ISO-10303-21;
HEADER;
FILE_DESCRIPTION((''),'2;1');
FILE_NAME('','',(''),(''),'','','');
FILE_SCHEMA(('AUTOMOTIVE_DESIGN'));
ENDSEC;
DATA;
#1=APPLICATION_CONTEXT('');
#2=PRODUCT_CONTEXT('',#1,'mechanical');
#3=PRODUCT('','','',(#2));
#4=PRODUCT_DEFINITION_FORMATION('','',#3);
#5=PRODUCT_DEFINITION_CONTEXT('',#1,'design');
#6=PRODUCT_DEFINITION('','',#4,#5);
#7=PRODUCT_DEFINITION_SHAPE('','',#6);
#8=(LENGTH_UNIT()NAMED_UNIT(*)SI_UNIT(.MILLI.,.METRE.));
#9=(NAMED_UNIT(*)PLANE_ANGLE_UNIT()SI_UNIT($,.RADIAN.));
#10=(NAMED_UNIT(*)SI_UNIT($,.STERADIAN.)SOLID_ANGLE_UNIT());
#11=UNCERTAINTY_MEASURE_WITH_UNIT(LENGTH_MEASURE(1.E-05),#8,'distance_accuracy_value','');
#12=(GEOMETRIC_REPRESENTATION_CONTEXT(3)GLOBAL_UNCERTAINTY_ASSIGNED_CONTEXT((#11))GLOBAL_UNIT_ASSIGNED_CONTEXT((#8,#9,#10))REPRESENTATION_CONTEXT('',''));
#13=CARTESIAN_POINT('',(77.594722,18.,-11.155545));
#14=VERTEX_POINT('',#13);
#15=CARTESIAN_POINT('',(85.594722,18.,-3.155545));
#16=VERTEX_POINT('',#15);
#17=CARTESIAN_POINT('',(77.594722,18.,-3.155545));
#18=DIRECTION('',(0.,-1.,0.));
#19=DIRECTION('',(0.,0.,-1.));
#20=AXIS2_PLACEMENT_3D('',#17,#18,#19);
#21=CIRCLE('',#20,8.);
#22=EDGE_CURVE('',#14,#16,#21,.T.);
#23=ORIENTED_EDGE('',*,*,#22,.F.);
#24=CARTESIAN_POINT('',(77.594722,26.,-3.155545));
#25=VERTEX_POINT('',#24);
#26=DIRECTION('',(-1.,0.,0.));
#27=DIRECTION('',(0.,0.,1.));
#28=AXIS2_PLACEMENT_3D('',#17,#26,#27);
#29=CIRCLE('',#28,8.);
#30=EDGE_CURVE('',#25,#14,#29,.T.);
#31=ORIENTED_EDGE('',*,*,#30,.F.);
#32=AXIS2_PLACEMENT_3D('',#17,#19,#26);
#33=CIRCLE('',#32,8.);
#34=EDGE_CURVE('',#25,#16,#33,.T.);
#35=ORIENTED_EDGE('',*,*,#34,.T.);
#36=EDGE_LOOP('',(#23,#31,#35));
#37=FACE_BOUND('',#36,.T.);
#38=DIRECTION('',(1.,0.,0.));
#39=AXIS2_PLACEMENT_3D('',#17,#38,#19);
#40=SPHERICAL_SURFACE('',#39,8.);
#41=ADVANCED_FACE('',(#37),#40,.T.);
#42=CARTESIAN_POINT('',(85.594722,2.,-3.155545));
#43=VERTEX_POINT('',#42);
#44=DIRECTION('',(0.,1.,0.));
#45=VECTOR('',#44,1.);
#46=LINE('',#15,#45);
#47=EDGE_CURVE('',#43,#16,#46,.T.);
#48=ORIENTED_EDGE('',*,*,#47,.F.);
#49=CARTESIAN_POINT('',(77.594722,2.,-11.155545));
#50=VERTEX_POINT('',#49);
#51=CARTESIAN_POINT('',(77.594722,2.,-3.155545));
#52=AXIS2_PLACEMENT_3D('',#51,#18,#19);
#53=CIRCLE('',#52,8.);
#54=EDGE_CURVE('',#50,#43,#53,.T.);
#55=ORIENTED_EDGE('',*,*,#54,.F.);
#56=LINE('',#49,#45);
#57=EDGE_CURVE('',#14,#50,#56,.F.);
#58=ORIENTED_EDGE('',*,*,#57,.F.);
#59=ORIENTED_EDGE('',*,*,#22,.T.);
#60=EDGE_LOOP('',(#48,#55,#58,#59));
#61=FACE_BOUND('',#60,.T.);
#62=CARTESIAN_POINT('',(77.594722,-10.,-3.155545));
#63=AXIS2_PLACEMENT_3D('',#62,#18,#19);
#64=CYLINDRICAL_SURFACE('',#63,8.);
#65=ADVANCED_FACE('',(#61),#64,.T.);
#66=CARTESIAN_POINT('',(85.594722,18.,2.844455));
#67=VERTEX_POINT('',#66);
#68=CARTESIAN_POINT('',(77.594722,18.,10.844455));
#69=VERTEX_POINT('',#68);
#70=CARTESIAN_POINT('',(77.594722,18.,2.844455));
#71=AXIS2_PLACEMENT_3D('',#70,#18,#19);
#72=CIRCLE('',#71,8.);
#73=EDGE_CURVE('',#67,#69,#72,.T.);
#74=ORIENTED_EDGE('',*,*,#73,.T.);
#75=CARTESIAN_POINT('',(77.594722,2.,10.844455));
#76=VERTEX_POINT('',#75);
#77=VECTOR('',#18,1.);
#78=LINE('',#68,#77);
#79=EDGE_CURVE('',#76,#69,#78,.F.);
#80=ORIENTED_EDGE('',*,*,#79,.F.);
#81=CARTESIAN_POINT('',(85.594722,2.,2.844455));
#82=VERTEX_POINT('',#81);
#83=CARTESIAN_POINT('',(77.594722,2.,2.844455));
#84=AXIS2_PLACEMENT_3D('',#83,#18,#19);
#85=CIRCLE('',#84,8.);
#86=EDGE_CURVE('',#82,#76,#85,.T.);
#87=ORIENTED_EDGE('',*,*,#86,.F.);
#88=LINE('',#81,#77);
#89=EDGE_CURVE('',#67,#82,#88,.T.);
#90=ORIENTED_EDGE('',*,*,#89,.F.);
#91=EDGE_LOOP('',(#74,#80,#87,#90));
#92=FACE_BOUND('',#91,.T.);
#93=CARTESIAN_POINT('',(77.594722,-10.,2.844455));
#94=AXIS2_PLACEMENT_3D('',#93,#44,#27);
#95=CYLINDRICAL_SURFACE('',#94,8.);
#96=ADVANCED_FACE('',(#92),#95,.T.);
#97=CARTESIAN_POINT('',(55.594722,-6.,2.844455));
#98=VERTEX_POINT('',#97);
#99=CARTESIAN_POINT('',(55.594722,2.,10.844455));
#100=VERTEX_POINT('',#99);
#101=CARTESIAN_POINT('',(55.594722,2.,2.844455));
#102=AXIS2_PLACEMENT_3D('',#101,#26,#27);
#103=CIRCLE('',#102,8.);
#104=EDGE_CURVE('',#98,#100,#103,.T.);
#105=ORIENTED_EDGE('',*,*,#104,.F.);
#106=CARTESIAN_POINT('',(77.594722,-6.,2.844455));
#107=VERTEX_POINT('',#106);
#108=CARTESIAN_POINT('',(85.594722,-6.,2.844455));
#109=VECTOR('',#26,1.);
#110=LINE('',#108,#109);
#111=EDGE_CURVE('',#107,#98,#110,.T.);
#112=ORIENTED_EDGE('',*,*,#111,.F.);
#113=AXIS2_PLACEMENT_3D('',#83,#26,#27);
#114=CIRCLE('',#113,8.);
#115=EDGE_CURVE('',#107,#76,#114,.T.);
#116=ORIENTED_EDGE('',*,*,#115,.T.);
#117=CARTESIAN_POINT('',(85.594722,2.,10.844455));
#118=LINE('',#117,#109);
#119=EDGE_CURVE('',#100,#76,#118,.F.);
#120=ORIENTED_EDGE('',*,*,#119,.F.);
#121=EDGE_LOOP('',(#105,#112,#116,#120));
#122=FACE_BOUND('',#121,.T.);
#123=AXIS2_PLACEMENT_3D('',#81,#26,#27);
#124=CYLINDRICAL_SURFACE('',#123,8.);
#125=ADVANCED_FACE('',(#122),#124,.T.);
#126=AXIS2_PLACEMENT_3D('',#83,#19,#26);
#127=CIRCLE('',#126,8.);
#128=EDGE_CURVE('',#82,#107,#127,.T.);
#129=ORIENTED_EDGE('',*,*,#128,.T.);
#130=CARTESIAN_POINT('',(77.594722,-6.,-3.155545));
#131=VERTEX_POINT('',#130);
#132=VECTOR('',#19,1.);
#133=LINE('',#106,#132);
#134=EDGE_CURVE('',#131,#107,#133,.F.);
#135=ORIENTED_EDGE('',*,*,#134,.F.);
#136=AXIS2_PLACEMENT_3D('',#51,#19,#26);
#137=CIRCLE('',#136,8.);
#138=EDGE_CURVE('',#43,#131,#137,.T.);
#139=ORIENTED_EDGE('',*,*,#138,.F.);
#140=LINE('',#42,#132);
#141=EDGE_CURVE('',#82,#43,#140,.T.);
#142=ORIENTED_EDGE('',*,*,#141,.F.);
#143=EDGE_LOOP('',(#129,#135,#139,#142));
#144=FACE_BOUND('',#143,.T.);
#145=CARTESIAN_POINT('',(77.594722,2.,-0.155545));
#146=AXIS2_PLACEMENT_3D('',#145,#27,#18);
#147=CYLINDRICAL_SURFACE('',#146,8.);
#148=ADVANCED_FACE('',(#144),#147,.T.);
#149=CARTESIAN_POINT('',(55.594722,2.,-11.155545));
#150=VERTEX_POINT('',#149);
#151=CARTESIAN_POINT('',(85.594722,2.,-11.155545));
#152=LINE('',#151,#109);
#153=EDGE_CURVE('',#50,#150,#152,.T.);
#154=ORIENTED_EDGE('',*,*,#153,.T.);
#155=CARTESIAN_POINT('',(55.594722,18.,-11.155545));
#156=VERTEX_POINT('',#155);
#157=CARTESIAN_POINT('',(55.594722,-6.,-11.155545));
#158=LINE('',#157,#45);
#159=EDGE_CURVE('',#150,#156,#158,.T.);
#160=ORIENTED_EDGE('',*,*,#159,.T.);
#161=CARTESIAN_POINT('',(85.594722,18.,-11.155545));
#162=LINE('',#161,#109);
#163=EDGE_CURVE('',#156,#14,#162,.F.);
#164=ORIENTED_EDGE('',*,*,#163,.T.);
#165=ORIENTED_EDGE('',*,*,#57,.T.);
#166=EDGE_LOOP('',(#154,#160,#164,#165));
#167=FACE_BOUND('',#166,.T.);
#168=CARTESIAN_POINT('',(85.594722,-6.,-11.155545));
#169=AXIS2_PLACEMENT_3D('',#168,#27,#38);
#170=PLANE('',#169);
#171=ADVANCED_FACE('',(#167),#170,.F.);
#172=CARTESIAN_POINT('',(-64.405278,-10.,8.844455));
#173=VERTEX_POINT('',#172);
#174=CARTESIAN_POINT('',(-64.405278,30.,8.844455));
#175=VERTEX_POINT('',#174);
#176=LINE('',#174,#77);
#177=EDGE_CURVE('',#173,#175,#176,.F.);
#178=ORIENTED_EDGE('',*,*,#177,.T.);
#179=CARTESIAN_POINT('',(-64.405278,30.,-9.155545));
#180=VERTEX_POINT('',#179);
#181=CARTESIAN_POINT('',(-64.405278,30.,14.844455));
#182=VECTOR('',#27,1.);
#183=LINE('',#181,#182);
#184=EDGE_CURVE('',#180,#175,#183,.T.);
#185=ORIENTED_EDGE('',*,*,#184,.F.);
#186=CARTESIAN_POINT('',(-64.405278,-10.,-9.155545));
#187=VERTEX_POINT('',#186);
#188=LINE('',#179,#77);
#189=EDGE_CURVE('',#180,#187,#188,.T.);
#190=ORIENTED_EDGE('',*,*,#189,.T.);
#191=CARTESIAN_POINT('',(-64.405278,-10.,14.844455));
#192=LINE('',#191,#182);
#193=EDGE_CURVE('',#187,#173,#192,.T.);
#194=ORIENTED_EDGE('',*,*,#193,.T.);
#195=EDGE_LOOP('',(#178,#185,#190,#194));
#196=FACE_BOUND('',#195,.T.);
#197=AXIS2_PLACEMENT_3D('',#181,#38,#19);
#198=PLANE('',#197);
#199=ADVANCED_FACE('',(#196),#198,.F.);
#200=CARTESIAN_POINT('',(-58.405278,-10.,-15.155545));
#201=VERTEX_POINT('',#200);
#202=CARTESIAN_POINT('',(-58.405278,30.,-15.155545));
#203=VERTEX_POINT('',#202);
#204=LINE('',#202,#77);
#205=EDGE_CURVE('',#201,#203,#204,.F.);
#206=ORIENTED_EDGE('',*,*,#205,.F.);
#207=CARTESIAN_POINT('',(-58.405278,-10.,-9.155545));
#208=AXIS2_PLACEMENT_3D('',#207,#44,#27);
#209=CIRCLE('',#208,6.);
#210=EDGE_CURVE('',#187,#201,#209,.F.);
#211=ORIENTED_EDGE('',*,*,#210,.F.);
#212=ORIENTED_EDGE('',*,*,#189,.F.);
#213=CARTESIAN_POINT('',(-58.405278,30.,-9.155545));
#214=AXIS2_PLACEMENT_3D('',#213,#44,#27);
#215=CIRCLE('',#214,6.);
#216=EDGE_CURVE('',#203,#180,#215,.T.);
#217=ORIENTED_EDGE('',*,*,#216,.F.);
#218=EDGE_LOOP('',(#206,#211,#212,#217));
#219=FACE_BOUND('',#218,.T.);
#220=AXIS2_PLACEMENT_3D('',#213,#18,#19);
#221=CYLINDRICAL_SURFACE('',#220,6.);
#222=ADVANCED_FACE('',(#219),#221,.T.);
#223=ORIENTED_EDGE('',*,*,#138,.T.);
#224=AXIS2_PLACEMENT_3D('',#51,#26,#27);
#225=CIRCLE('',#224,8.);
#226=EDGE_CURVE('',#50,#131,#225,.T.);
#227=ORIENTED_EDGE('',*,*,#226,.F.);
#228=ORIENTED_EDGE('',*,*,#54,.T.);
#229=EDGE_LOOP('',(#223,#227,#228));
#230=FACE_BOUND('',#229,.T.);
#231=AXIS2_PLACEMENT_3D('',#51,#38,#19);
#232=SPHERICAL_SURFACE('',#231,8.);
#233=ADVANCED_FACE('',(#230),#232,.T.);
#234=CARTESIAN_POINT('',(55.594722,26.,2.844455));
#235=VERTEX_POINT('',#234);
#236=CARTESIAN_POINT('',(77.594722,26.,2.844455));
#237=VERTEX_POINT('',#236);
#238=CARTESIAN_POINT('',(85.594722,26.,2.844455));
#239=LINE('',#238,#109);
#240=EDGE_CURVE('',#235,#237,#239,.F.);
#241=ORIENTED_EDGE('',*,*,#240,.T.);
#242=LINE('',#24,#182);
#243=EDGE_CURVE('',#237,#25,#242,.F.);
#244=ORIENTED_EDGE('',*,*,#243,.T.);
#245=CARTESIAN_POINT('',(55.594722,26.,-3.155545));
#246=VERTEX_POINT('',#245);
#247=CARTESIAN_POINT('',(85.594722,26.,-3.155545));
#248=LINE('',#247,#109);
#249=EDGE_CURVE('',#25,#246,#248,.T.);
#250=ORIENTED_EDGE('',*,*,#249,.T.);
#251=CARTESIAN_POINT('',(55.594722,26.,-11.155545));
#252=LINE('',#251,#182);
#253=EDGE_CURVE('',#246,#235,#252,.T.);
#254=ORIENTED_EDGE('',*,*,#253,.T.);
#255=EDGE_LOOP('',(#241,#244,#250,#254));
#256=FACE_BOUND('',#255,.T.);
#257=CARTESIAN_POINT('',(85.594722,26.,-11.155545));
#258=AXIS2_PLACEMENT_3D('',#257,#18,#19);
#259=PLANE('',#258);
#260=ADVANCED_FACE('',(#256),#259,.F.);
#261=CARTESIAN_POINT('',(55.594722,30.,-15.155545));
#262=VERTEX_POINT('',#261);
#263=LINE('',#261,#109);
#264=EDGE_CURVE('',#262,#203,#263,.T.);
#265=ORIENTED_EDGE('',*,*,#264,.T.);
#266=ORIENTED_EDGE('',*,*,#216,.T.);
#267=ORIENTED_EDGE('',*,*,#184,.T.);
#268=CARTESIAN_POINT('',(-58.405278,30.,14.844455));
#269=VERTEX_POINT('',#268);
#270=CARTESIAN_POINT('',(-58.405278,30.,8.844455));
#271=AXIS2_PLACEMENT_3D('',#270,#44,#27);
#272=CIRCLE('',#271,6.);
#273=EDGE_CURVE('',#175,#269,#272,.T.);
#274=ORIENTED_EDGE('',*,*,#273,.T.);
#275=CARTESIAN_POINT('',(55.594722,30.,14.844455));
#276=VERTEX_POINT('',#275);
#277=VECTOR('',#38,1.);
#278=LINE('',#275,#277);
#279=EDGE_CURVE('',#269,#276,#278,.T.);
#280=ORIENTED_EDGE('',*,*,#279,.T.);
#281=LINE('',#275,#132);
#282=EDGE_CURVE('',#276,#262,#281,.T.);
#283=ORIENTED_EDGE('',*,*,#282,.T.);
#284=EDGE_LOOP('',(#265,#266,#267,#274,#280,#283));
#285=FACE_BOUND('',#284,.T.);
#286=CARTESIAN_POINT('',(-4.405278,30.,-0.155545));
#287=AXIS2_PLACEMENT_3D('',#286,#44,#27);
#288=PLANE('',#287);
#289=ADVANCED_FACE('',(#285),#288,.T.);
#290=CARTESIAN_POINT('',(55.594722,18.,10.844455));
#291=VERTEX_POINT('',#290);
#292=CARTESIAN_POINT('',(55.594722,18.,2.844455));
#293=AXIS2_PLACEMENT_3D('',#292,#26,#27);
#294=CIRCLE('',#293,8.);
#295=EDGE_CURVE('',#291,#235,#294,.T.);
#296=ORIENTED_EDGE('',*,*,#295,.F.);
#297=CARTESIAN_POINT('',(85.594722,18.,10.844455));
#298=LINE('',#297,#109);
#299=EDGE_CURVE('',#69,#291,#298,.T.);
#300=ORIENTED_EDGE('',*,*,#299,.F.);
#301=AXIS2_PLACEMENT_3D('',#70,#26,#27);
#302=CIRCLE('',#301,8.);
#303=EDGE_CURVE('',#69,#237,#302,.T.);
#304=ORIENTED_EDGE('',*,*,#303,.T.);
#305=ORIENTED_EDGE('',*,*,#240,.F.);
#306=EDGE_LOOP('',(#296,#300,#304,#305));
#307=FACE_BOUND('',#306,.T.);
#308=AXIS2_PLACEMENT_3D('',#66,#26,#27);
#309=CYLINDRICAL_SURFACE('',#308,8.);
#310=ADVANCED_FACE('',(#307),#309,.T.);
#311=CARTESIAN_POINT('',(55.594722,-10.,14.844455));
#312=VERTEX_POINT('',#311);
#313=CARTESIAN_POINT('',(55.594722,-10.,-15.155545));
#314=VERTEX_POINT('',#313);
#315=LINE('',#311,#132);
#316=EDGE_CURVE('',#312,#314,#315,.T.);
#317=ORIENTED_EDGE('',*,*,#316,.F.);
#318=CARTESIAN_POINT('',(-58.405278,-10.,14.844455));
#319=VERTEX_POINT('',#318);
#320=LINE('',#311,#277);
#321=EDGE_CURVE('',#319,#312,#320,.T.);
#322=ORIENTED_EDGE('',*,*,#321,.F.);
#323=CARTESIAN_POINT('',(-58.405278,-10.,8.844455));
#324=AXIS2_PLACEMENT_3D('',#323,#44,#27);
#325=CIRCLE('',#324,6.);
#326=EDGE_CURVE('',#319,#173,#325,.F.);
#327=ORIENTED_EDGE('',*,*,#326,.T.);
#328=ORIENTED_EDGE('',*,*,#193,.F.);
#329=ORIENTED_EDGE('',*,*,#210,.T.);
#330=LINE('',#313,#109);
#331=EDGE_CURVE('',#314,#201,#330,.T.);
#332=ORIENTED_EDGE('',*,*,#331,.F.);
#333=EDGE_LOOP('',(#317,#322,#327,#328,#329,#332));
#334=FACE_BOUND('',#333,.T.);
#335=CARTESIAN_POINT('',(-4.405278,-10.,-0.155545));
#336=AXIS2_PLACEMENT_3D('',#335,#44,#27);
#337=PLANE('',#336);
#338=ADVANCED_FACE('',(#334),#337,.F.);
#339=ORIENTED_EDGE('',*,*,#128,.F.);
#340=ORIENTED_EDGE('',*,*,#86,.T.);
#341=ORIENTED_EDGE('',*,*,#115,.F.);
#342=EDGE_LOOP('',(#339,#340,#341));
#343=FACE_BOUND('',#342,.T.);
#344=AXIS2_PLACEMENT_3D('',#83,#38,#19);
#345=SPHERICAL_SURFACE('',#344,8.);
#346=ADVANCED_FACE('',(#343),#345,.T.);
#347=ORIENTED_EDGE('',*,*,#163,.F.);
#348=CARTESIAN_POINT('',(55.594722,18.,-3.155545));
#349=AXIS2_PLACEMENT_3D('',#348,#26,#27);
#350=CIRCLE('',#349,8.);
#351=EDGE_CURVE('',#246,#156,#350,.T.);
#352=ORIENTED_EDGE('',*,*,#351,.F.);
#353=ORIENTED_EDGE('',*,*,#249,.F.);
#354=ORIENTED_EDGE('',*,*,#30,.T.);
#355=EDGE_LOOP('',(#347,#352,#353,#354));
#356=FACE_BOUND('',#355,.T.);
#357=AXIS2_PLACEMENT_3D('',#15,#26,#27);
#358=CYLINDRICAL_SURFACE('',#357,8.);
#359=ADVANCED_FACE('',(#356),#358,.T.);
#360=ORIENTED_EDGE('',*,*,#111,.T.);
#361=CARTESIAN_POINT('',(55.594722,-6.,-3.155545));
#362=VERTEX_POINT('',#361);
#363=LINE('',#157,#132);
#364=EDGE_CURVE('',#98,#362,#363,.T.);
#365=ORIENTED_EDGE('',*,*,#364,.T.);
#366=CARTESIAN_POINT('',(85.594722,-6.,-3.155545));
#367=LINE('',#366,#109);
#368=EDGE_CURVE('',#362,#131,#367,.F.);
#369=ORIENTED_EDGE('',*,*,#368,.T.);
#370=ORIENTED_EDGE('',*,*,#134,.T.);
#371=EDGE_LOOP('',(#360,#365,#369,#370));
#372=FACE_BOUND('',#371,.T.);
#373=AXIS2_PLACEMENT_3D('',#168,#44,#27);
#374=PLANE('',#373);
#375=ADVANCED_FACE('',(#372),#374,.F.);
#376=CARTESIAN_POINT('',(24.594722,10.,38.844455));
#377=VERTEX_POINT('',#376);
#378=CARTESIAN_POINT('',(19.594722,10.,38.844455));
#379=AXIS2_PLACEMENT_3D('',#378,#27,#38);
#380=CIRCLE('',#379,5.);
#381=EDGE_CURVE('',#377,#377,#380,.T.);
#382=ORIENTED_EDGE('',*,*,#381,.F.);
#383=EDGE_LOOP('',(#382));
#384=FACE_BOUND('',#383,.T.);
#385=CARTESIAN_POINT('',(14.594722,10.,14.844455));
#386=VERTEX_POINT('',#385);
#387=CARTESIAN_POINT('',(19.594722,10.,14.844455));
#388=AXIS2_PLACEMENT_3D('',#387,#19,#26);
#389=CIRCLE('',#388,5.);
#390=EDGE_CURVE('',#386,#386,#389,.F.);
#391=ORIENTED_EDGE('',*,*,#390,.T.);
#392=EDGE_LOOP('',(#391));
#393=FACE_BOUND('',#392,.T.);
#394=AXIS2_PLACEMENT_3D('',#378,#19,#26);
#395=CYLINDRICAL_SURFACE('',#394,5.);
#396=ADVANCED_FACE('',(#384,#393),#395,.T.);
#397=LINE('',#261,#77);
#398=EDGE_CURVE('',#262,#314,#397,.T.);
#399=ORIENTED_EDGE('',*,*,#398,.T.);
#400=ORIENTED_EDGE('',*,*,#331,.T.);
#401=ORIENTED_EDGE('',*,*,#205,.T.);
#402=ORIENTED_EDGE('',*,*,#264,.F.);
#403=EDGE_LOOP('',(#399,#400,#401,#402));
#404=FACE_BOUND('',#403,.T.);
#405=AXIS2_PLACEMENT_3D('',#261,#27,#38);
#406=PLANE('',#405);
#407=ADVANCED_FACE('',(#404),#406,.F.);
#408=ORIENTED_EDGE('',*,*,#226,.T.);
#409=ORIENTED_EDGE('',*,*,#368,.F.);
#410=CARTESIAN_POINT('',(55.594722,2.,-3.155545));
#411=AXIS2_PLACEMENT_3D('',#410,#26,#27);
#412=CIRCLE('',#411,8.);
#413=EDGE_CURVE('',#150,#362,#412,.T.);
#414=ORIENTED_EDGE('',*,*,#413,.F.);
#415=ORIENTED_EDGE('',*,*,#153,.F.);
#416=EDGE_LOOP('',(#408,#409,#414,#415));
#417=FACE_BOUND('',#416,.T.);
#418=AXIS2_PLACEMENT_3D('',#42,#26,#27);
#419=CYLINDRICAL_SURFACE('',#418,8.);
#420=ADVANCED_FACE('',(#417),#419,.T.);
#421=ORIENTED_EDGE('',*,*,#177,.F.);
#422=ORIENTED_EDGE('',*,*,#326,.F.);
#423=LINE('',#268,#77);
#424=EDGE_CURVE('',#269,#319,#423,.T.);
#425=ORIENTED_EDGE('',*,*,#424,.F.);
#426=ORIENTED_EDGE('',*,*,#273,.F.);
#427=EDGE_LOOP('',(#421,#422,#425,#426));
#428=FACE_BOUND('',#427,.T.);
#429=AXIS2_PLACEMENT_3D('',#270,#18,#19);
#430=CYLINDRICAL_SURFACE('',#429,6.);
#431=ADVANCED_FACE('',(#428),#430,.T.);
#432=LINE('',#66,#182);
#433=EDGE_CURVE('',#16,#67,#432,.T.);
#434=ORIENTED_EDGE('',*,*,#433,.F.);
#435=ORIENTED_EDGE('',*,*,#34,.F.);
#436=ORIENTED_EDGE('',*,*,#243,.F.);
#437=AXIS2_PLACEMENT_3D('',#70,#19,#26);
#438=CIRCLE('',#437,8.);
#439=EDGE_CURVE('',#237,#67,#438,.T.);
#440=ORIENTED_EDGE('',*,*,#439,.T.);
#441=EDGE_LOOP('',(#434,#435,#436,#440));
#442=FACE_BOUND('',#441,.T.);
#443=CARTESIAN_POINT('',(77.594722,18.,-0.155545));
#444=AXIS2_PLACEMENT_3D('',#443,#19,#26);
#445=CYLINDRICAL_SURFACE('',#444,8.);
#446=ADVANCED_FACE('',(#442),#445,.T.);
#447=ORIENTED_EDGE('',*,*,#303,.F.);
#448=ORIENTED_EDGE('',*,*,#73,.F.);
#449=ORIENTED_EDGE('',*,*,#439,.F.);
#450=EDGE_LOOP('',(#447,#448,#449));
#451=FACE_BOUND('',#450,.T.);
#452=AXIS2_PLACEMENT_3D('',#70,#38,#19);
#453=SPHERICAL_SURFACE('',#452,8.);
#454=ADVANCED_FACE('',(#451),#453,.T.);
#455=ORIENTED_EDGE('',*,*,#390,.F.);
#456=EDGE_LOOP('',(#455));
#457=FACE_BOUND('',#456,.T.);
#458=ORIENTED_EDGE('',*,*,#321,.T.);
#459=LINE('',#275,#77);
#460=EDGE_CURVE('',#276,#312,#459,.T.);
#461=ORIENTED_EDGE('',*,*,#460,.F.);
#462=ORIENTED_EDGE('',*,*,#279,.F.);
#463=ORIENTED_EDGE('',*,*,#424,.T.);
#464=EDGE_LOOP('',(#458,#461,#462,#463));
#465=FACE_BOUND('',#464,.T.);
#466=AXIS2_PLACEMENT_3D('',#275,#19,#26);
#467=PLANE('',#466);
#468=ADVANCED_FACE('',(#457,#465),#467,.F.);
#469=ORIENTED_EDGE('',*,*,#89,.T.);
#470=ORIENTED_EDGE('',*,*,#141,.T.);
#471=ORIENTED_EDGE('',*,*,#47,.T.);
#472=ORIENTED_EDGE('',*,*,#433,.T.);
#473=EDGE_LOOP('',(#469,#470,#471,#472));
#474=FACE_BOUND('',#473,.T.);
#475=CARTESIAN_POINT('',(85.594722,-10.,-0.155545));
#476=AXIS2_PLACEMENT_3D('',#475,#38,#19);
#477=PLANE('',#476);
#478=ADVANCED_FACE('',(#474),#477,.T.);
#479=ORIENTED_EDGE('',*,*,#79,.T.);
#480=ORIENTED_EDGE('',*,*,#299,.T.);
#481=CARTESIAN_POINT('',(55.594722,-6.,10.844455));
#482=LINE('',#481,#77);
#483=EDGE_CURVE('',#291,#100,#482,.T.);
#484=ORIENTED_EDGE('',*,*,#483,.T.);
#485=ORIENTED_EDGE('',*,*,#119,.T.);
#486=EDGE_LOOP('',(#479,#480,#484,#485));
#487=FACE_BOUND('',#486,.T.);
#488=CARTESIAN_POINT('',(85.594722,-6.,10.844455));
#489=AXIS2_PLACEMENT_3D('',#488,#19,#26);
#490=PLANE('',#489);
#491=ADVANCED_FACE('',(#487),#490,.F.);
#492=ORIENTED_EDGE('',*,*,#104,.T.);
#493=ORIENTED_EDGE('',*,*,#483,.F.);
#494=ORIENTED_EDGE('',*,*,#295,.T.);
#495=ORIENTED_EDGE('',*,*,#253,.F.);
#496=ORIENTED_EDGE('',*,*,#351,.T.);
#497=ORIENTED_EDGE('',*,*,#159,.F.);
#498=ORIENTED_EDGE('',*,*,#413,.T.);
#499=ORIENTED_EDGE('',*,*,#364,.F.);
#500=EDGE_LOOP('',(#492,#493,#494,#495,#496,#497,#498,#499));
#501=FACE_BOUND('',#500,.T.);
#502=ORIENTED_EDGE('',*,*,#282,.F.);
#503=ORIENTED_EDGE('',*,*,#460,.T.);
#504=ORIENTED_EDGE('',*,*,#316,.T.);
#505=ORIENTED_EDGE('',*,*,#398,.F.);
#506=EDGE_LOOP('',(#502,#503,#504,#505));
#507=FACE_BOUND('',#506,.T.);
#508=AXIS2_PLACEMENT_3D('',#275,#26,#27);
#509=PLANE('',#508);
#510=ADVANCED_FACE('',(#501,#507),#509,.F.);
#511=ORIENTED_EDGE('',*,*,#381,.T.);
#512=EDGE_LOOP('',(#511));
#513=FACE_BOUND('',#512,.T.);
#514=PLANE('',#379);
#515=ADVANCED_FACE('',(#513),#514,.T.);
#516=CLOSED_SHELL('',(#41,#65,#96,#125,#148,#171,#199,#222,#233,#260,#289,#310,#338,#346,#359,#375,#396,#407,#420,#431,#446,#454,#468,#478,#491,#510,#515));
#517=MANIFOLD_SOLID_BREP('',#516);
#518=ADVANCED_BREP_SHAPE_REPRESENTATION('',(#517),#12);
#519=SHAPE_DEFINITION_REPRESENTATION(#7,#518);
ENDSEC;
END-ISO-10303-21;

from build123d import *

# Parameters (mm, degrees)
CROQUIS1_W              = 60
CROQUIS1_H              = 15
SALIENTE_EXTRUIR1_DEPTH = 20
CROQUIS2_R              = 2.5
SALIENTE_EXTRUIR2_DEPTH = 12
CROQUIS3_W              = 11
CROQUIS3_H              = 16
SALIENTE_EXTRUIR3_DEPTH = 15
REDONDEO1_R             = 4
REDONDEO2_R             = 4
REDONDEO3_R             = 3
ESCALA1_SCALE           = 2


with BuildPart() as part:
    # Croquis1 → Saliente-Extruir1 (new body)
    with BuildSketch(Plane(origin=(0, 0, 0), x_dir=(1, 0, 0), z_dir=(0, 1, 0))):
        Rectangle(CROQUIS1_W, CROQUIS1_H)
    extrude(amount=SALIENTE_EXTRUIR1_DEPTH)

    # Croquis2 → Saliente-Extruir2 (add)
    with BuildSketch(Plane.XY.offset(7.5)):
        with Locations((12, 10)):
            Circle(CROQUIS2_R)
    extrude(amount=SALIENTE_EXTRUIR2_DEPTH)

    # Croquis3 → Saliente-Extruir3 (add)
    with BuildSketch(Plane(origin=(30, 0, 0), x_dir=(0, 0, -1), z_dir=(1, 0, 0))):
        with Locations((0, 10)):
            Rectangle(CROQUIS3_W, CROQUIS3_H)
    extrude(amount=SALIENTE_EXTRUIR3_DEPTH)

    # Redondeo1
    redondeo1_edges = [part.edges().sort_by_distance(p)[0] for p in [
        (37.5, 18, 5.5),
        (37.5, 2, 5.5),
        (37.5, 2, -5.5),
        (37.5, 18, -5.5),
    ]]
    fillet(redondeo1_edges, radius=REDONDEO1_R)

    # Redondeo2
    redondeo2_edges = [part.edges().sort_by_distance(p)[0] for p in [
        (45, 18, 0),
        (45, 10, -5.5),
        (45, 10, 5.5),
        (45, 2, 0),
        (45, 16.828427125, 4.328427125),
        (45, 3.171572875, 4.328427125),
        (45, 3.171572875, -4.328427125),
        (45, 16.828427125, -4.328427125),
    ]]
    fillet(redondeo2_edges, radius=REDONDEO2_R)

    # Redondeo3
    redondeo3_edges = [part.edges().sort_by_distance(p)[0] for p in [
        (-30, 10, -7.5),
        (-30, 10, 7.5),
    ]]
    fillet(redondeo3_edges, radius=REDONDEO3_R)


with BuildPart() as part_1:
    # Escala1: scaled about (4.405278124, 10, 0.15554504)
    add(part.part.scale(ESCALA1_SCALE).moved(Location((-4.405278124, -10, -0.15554504))))


solid = part_1.part
